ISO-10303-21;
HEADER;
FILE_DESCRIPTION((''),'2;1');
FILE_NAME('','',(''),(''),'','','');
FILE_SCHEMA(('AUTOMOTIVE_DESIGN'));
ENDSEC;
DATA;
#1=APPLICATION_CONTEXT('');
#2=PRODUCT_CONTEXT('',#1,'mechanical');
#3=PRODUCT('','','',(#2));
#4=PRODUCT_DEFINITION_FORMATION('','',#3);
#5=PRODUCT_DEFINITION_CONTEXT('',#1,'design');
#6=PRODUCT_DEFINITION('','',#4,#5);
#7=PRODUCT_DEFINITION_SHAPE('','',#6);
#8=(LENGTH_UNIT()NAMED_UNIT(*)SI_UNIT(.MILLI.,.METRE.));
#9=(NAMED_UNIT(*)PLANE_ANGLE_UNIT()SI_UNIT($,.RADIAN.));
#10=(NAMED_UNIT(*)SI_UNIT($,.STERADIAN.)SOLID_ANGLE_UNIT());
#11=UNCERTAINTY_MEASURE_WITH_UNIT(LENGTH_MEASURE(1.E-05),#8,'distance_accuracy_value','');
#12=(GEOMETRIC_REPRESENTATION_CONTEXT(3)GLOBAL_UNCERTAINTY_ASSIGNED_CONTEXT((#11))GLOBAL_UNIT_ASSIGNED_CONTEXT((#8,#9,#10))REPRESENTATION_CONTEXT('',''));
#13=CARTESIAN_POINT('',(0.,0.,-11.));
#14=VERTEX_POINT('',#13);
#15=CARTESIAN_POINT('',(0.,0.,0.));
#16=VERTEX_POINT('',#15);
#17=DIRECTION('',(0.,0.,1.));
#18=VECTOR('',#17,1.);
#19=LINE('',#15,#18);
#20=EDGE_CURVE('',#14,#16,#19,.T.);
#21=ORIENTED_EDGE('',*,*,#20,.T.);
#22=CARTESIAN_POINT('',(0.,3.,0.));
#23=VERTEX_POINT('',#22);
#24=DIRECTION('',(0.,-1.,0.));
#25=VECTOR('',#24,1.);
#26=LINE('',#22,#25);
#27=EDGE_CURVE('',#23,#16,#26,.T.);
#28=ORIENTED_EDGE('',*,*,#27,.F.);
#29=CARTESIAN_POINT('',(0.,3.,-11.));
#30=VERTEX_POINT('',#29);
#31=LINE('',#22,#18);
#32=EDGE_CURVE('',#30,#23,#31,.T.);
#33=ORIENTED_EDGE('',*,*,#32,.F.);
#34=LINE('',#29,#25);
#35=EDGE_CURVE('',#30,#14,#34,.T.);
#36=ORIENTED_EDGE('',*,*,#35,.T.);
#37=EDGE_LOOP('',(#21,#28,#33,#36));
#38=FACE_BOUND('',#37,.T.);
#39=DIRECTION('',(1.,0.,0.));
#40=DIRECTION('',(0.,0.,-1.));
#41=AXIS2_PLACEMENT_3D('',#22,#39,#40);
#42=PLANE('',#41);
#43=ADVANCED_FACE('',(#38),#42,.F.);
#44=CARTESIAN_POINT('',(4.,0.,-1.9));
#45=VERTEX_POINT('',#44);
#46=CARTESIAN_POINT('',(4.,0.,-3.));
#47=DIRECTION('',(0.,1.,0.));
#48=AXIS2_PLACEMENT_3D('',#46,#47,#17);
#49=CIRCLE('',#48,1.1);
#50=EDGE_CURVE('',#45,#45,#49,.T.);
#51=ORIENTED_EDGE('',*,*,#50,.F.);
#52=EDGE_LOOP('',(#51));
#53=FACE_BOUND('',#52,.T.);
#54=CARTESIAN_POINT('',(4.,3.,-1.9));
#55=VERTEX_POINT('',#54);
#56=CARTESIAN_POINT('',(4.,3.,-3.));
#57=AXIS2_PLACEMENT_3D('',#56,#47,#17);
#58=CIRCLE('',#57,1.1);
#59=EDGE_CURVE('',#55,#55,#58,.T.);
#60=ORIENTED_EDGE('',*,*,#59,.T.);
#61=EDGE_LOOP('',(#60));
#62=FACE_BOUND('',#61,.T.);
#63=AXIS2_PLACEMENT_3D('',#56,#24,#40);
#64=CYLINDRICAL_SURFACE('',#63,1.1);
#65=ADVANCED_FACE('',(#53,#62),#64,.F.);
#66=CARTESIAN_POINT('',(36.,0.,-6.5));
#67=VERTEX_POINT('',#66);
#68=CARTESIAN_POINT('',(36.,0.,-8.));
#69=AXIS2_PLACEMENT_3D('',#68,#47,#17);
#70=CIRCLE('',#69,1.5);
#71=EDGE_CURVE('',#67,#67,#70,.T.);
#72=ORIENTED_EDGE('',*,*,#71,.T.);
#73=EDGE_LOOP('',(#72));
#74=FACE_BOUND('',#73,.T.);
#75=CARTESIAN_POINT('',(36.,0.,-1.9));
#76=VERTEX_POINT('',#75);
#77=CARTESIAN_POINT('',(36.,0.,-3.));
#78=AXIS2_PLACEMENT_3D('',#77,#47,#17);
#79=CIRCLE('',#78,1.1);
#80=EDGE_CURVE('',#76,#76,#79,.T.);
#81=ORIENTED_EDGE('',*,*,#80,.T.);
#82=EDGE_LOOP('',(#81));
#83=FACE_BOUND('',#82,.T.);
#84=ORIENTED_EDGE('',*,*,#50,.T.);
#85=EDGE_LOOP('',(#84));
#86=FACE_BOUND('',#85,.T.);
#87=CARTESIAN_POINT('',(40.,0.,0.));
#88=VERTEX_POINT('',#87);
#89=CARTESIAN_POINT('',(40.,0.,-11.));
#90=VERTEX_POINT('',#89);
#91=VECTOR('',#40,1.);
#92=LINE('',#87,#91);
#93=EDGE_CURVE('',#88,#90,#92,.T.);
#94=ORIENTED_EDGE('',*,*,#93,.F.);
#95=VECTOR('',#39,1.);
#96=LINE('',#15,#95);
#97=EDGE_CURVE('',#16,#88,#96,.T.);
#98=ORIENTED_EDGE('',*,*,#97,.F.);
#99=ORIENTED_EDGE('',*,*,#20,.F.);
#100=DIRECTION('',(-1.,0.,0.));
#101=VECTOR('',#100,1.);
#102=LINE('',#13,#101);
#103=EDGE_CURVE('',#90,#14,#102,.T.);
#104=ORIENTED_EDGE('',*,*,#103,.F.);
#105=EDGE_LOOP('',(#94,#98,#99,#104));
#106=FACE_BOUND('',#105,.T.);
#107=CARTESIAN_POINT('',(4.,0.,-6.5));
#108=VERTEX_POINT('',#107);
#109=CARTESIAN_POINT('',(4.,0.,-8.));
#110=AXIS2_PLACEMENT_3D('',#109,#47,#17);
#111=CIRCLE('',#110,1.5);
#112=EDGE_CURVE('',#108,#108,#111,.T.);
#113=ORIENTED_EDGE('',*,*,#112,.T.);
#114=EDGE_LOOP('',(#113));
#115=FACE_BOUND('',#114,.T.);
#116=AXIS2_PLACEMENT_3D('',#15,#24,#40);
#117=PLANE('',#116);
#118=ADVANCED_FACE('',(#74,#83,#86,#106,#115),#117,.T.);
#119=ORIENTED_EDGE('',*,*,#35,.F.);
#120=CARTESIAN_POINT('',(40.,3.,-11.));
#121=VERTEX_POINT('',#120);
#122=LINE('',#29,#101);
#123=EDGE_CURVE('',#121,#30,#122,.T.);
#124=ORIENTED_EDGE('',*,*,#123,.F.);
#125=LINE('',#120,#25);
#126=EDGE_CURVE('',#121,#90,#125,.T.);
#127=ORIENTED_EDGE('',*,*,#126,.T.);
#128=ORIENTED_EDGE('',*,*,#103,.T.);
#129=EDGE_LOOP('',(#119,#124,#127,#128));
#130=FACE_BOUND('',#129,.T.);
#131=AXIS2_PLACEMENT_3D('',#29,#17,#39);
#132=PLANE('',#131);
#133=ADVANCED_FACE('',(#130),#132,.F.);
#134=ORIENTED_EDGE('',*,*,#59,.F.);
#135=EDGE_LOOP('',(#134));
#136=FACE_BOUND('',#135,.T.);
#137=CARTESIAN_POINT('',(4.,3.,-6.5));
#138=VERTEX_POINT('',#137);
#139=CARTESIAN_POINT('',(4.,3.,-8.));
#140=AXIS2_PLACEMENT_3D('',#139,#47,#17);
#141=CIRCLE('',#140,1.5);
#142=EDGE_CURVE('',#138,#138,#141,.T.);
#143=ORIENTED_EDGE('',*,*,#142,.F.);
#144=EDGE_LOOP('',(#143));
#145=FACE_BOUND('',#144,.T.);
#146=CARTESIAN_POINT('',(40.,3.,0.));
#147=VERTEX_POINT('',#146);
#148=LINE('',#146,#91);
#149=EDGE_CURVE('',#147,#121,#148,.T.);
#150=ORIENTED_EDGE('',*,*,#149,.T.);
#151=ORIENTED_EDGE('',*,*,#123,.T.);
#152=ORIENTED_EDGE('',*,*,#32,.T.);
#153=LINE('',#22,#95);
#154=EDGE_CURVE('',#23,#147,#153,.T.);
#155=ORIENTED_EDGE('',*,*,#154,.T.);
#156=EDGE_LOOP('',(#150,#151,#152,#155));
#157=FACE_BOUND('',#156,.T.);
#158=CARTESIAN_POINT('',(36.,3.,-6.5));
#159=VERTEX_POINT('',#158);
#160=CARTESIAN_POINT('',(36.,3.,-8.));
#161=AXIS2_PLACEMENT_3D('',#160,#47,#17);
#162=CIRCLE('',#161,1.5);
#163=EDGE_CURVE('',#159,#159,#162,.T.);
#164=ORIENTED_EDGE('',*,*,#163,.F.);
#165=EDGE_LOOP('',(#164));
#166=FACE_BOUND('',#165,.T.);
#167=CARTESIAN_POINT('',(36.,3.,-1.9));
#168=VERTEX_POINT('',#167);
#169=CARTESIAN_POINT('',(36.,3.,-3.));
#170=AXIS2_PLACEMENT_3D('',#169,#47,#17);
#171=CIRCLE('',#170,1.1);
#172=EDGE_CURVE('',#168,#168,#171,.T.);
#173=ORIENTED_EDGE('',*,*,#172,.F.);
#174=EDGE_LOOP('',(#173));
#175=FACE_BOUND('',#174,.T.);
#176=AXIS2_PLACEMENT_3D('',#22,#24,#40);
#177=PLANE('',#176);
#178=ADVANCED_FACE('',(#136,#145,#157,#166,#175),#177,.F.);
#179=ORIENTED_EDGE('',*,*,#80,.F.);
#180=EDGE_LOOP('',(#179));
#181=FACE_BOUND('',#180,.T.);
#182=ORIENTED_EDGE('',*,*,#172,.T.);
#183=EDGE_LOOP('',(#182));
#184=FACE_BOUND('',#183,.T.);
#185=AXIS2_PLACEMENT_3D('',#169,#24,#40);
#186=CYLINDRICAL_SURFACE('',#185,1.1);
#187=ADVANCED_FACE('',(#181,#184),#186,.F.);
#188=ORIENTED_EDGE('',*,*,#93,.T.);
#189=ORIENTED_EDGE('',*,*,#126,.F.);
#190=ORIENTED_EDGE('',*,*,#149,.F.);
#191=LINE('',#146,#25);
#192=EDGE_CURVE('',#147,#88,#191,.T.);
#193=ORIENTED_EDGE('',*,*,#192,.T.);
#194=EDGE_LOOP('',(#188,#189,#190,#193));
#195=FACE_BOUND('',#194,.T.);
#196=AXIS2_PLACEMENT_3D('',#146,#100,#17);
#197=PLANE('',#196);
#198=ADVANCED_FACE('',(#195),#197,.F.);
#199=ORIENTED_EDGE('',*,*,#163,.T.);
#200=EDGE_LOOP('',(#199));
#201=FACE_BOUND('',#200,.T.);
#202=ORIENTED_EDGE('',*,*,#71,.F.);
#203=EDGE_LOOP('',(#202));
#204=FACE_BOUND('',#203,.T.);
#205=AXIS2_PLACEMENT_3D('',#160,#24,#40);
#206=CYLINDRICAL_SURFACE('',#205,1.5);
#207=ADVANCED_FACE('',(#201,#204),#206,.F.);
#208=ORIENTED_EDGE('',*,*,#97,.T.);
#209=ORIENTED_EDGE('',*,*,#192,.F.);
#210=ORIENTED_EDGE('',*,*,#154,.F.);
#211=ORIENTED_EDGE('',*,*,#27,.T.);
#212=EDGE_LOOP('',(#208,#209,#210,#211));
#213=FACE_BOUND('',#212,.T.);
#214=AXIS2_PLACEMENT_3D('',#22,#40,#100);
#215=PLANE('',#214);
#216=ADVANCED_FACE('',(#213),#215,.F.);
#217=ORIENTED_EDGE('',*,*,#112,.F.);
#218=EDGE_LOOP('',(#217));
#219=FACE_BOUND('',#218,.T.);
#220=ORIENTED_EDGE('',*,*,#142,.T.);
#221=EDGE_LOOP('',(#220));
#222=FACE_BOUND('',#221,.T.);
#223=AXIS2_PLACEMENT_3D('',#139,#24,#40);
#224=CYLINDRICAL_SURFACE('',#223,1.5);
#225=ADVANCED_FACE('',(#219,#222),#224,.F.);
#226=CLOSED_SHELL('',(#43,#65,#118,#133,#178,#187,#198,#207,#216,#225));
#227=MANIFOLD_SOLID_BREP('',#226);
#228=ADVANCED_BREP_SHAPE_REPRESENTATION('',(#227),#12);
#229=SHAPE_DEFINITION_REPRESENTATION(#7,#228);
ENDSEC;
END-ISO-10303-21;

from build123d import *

# Parameters (mm, degrees)
SKETCH1_W           = 40
SKETCH1_H           = 11
SKETCH1_R           = 1.1
SKETCH1_R_2         = 1.5
BOSS_EXTRUDE1_DEPTH = 3


with BuildPart() as part:
    # Sketch1 → Boss-Extrude1 (new body)
    with BuildSketch(Plane(origin=(0, 0, 0), x_dir=(1, 0, 0), z_dir=(0, 1, 0))):
        with Locations((20, 5.5)):
            Rectangle(SKETCH1_W, SKETCH1_H)
        with Locations((4, 3)):
            Circle(SKETCH1_R, mode=Mode.SUBTRACT)
        with Locations((36, 3)):
            Circle(SKETCH1_R, mode=Mode.SUBTRACT)
        with Locations((4, 8)):
            Circle(SKETCH1_R_2, mode=Mode.SUBTRACT)
        with Locations((36, 8)):
            Circle(SKETCH1_R_2, mode=Mode.SUBTRACT)
    extrude(amount=BOSS_EXTRUDE1_DEPTH)


solid = part.part
